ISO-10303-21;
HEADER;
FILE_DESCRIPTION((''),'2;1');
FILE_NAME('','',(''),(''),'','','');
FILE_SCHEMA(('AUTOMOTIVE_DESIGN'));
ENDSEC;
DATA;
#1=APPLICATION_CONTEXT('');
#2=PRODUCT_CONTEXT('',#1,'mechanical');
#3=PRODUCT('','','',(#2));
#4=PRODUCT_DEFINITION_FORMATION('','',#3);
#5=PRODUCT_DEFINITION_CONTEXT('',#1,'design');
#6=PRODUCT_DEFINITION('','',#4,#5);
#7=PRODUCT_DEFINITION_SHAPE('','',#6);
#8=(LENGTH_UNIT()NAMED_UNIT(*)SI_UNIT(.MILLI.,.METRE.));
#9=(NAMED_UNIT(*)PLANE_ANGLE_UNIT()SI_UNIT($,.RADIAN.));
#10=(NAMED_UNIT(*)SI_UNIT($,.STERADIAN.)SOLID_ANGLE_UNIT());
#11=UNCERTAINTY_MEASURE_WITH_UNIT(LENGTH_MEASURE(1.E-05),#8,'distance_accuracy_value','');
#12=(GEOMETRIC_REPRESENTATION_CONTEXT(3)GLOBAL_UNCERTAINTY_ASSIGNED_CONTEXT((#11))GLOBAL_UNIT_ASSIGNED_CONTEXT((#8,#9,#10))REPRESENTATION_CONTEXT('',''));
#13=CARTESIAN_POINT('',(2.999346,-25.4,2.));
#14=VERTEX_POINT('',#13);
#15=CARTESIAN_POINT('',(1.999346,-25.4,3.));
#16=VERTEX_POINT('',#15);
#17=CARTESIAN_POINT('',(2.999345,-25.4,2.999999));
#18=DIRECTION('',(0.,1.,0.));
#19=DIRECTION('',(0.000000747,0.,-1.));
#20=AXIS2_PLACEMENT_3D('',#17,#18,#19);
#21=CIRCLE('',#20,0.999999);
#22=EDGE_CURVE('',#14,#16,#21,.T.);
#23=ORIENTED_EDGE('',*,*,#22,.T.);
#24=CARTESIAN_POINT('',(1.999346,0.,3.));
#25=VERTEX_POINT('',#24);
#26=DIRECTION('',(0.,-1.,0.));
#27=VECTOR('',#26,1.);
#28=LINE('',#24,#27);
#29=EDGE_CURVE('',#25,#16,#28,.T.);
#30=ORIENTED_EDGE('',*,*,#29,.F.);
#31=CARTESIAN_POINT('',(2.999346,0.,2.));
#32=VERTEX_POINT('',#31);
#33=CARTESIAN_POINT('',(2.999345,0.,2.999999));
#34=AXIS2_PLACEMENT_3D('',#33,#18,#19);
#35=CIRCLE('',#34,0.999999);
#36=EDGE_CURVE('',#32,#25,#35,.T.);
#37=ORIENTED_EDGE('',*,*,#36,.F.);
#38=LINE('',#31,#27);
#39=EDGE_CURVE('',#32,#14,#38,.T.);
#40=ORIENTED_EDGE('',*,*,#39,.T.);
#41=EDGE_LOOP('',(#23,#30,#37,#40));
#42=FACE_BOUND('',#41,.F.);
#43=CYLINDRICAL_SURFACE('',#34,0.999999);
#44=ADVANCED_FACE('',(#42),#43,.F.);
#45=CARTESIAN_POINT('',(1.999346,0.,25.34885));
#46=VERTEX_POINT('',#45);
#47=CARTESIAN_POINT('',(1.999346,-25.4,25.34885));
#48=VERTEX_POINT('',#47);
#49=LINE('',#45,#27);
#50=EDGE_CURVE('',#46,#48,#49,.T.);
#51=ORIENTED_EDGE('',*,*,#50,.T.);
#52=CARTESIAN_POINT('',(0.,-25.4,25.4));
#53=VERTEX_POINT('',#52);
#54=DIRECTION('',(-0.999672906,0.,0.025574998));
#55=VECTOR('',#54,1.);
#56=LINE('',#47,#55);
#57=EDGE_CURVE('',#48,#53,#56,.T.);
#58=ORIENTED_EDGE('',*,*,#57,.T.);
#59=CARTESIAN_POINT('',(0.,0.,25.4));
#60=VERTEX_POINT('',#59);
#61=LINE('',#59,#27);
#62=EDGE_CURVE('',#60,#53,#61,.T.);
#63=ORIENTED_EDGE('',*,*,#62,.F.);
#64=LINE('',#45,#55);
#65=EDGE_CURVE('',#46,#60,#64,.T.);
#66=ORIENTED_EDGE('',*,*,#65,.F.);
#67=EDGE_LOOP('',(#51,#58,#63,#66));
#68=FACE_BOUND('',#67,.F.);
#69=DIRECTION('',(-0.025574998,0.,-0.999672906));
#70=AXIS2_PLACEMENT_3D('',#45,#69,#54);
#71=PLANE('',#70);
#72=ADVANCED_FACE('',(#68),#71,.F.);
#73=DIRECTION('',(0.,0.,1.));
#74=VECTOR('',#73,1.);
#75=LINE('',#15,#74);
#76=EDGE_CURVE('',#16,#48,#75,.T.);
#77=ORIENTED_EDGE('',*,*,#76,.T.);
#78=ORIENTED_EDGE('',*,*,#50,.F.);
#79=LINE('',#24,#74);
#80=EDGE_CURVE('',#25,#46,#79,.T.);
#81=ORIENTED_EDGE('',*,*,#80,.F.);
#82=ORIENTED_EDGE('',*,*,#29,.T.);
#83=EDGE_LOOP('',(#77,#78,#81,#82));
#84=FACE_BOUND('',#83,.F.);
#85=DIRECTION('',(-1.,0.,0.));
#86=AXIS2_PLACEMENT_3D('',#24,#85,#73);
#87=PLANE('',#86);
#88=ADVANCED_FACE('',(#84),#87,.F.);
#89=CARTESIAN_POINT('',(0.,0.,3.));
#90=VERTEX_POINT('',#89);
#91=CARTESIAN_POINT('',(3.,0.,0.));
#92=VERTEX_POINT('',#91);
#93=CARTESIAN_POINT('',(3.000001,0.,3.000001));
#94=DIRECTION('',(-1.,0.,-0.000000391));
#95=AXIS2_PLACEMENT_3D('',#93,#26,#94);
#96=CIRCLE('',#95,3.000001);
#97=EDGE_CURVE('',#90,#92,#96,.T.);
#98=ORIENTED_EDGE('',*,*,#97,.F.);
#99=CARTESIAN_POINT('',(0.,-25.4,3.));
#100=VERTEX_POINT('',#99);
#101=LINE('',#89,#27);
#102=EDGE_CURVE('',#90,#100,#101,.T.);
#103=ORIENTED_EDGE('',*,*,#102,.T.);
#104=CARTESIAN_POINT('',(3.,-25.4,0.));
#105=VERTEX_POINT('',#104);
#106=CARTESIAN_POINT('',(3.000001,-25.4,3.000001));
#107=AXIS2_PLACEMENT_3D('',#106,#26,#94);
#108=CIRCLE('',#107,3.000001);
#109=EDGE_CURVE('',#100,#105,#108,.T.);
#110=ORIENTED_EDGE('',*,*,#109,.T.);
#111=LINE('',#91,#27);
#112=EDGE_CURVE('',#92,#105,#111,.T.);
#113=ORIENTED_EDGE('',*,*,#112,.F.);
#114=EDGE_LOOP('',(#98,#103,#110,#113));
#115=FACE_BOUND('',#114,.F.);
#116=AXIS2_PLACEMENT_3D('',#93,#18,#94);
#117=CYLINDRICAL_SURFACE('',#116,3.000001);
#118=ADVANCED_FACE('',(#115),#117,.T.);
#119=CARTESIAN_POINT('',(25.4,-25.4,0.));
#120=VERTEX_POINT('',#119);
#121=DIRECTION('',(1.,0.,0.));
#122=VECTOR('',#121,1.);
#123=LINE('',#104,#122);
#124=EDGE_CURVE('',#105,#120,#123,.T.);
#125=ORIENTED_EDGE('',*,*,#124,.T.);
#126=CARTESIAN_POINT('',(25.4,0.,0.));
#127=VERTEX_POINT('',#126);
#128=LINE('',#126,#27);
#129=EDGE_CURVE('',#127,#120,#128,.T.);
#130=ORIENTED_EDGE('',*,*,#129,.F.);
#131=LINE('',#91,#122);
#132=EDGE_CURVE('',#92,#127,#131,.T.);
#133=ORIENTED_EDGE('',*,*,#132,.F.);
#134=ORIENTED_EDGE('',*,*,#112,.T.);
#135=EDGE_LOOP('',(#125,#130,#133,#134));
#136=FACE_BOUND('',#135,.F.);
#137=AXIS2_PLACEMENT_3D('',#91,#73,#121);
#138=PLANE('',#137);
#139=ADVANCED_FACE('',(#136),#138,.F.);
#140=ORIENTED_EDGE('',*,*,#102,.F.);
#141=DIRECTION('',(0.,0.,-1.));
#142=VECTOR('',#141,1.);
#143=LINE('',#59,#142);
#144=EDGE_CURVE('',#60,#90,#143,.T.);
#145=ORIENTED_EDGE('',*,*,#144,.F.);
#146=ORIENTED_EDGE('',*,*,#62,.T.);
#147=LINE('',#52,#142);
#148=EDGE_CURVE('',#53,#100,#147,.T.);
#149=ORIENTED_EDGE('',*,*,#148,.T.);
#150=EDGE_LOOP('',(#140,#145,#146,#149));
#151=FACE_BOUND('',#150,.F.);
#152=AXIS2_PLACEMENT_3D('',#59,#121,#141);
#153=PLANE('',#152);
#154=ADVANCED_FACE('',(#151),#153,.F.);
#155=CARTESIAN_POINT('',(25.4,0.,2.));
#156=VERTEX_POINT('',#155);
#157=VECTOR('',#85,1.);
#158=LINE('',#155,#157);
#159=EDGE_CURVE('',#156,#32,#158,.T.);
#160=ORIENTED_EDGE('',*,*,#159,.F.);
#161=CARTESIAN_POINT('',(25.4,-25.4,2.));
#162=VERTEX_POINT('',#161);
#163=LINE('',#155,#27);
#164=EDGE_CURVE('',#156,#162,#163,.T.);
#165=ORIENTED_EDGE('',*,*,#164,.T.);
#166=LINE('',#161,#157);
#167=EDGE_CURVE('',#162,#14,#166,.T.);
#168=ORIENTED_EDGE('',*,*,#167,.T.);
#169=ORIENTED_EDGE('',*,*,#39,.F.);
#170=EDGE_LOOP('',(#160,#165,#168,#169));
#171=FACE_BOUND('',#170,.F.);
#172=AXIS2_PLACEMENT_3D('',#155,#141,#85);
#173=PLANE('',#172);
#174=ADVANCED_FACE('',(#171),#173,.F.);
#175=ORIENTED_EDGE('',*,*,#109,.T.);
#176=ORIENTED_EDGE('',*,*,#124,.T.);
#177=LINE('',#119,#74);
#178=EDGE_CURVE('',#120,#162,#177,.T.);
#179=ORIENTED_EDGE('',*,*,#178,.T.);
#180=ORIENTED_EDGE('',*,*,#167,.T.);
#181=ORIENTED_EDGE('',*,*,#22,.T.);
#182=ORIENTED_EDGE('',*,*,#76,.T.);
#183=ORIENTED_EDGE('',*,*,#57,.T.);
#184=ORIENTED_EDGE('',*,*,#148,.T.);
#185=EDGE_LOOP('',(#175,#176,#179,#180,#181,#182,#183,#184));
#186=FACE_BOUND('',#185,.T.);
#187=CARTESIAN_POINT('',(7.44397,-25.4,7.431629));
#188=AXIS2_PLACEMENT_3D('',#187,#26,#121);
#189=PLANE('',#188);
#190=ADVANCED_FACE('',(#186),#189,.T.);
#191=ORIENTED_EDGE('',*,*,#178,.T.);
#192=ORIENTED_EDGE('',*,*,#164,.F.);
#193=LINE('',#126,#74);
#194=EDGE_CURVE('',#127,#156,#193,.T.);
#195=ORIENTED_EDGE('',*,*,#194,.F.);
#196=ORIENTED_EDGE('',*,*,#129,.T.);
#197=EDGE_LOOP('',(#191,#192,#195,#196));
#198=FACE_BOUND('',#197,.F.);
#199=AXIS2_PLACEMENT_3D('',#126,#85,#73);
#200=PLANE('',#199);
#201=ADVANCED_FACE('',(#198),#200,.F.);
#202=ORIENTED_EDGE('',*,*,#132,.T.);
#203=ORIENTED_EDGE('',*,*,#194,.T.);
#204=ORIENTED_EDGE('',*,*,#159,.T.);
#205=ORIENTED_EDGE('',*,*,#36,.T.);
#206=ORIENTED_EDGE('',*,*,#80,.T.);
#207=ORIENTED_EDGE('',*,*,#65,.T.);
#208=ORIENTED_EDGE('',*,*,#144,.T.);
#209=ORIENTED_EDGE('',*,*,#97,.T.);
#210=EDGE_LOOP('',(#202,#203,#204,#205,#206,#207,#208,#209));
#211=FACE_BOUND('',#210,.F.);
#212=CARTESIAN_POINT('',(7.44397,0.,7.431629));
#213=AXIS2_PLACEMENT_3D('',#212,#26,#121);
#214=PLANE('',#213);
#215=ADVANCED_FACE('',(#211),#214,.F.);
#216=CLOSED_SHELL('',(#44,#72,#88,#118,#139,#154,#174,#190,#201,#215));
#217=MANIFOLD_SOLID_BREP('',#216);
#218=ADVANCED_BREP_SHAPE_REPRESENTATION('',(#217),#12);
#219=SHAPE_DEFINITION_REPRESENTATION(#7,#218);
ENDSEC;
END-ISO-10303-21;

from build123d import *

# Parameters (mm, degrees)
F1_DEPTH = 25.4


with BuildPart() as f1:
    # F0 (on Front) → F1 (new body)
    with BuildSketch(Plane.XZ):
        with BuildLine():
            Line((0, 25.4), (0, 3))
            ThreePointArc((0, 3), (0.87868, 0.87868), (3, 0))
            Line((3, 0), (25.4, 0))
            Line((25.4, 0), (25.4, 2))
            Line((25.4, 2), (2.999346, 2))
            ThreePointArc((2.999346, 2), (2.292239, 2.292893), (1.999346, 3))
            Line((1.999346, 3), (1.999346, 25.34885))
            Line((1.999346, 25.34885), (0, 25.4))
        make_face()
    extrude(amount=F1_DEPTH)


solid = f1.part
